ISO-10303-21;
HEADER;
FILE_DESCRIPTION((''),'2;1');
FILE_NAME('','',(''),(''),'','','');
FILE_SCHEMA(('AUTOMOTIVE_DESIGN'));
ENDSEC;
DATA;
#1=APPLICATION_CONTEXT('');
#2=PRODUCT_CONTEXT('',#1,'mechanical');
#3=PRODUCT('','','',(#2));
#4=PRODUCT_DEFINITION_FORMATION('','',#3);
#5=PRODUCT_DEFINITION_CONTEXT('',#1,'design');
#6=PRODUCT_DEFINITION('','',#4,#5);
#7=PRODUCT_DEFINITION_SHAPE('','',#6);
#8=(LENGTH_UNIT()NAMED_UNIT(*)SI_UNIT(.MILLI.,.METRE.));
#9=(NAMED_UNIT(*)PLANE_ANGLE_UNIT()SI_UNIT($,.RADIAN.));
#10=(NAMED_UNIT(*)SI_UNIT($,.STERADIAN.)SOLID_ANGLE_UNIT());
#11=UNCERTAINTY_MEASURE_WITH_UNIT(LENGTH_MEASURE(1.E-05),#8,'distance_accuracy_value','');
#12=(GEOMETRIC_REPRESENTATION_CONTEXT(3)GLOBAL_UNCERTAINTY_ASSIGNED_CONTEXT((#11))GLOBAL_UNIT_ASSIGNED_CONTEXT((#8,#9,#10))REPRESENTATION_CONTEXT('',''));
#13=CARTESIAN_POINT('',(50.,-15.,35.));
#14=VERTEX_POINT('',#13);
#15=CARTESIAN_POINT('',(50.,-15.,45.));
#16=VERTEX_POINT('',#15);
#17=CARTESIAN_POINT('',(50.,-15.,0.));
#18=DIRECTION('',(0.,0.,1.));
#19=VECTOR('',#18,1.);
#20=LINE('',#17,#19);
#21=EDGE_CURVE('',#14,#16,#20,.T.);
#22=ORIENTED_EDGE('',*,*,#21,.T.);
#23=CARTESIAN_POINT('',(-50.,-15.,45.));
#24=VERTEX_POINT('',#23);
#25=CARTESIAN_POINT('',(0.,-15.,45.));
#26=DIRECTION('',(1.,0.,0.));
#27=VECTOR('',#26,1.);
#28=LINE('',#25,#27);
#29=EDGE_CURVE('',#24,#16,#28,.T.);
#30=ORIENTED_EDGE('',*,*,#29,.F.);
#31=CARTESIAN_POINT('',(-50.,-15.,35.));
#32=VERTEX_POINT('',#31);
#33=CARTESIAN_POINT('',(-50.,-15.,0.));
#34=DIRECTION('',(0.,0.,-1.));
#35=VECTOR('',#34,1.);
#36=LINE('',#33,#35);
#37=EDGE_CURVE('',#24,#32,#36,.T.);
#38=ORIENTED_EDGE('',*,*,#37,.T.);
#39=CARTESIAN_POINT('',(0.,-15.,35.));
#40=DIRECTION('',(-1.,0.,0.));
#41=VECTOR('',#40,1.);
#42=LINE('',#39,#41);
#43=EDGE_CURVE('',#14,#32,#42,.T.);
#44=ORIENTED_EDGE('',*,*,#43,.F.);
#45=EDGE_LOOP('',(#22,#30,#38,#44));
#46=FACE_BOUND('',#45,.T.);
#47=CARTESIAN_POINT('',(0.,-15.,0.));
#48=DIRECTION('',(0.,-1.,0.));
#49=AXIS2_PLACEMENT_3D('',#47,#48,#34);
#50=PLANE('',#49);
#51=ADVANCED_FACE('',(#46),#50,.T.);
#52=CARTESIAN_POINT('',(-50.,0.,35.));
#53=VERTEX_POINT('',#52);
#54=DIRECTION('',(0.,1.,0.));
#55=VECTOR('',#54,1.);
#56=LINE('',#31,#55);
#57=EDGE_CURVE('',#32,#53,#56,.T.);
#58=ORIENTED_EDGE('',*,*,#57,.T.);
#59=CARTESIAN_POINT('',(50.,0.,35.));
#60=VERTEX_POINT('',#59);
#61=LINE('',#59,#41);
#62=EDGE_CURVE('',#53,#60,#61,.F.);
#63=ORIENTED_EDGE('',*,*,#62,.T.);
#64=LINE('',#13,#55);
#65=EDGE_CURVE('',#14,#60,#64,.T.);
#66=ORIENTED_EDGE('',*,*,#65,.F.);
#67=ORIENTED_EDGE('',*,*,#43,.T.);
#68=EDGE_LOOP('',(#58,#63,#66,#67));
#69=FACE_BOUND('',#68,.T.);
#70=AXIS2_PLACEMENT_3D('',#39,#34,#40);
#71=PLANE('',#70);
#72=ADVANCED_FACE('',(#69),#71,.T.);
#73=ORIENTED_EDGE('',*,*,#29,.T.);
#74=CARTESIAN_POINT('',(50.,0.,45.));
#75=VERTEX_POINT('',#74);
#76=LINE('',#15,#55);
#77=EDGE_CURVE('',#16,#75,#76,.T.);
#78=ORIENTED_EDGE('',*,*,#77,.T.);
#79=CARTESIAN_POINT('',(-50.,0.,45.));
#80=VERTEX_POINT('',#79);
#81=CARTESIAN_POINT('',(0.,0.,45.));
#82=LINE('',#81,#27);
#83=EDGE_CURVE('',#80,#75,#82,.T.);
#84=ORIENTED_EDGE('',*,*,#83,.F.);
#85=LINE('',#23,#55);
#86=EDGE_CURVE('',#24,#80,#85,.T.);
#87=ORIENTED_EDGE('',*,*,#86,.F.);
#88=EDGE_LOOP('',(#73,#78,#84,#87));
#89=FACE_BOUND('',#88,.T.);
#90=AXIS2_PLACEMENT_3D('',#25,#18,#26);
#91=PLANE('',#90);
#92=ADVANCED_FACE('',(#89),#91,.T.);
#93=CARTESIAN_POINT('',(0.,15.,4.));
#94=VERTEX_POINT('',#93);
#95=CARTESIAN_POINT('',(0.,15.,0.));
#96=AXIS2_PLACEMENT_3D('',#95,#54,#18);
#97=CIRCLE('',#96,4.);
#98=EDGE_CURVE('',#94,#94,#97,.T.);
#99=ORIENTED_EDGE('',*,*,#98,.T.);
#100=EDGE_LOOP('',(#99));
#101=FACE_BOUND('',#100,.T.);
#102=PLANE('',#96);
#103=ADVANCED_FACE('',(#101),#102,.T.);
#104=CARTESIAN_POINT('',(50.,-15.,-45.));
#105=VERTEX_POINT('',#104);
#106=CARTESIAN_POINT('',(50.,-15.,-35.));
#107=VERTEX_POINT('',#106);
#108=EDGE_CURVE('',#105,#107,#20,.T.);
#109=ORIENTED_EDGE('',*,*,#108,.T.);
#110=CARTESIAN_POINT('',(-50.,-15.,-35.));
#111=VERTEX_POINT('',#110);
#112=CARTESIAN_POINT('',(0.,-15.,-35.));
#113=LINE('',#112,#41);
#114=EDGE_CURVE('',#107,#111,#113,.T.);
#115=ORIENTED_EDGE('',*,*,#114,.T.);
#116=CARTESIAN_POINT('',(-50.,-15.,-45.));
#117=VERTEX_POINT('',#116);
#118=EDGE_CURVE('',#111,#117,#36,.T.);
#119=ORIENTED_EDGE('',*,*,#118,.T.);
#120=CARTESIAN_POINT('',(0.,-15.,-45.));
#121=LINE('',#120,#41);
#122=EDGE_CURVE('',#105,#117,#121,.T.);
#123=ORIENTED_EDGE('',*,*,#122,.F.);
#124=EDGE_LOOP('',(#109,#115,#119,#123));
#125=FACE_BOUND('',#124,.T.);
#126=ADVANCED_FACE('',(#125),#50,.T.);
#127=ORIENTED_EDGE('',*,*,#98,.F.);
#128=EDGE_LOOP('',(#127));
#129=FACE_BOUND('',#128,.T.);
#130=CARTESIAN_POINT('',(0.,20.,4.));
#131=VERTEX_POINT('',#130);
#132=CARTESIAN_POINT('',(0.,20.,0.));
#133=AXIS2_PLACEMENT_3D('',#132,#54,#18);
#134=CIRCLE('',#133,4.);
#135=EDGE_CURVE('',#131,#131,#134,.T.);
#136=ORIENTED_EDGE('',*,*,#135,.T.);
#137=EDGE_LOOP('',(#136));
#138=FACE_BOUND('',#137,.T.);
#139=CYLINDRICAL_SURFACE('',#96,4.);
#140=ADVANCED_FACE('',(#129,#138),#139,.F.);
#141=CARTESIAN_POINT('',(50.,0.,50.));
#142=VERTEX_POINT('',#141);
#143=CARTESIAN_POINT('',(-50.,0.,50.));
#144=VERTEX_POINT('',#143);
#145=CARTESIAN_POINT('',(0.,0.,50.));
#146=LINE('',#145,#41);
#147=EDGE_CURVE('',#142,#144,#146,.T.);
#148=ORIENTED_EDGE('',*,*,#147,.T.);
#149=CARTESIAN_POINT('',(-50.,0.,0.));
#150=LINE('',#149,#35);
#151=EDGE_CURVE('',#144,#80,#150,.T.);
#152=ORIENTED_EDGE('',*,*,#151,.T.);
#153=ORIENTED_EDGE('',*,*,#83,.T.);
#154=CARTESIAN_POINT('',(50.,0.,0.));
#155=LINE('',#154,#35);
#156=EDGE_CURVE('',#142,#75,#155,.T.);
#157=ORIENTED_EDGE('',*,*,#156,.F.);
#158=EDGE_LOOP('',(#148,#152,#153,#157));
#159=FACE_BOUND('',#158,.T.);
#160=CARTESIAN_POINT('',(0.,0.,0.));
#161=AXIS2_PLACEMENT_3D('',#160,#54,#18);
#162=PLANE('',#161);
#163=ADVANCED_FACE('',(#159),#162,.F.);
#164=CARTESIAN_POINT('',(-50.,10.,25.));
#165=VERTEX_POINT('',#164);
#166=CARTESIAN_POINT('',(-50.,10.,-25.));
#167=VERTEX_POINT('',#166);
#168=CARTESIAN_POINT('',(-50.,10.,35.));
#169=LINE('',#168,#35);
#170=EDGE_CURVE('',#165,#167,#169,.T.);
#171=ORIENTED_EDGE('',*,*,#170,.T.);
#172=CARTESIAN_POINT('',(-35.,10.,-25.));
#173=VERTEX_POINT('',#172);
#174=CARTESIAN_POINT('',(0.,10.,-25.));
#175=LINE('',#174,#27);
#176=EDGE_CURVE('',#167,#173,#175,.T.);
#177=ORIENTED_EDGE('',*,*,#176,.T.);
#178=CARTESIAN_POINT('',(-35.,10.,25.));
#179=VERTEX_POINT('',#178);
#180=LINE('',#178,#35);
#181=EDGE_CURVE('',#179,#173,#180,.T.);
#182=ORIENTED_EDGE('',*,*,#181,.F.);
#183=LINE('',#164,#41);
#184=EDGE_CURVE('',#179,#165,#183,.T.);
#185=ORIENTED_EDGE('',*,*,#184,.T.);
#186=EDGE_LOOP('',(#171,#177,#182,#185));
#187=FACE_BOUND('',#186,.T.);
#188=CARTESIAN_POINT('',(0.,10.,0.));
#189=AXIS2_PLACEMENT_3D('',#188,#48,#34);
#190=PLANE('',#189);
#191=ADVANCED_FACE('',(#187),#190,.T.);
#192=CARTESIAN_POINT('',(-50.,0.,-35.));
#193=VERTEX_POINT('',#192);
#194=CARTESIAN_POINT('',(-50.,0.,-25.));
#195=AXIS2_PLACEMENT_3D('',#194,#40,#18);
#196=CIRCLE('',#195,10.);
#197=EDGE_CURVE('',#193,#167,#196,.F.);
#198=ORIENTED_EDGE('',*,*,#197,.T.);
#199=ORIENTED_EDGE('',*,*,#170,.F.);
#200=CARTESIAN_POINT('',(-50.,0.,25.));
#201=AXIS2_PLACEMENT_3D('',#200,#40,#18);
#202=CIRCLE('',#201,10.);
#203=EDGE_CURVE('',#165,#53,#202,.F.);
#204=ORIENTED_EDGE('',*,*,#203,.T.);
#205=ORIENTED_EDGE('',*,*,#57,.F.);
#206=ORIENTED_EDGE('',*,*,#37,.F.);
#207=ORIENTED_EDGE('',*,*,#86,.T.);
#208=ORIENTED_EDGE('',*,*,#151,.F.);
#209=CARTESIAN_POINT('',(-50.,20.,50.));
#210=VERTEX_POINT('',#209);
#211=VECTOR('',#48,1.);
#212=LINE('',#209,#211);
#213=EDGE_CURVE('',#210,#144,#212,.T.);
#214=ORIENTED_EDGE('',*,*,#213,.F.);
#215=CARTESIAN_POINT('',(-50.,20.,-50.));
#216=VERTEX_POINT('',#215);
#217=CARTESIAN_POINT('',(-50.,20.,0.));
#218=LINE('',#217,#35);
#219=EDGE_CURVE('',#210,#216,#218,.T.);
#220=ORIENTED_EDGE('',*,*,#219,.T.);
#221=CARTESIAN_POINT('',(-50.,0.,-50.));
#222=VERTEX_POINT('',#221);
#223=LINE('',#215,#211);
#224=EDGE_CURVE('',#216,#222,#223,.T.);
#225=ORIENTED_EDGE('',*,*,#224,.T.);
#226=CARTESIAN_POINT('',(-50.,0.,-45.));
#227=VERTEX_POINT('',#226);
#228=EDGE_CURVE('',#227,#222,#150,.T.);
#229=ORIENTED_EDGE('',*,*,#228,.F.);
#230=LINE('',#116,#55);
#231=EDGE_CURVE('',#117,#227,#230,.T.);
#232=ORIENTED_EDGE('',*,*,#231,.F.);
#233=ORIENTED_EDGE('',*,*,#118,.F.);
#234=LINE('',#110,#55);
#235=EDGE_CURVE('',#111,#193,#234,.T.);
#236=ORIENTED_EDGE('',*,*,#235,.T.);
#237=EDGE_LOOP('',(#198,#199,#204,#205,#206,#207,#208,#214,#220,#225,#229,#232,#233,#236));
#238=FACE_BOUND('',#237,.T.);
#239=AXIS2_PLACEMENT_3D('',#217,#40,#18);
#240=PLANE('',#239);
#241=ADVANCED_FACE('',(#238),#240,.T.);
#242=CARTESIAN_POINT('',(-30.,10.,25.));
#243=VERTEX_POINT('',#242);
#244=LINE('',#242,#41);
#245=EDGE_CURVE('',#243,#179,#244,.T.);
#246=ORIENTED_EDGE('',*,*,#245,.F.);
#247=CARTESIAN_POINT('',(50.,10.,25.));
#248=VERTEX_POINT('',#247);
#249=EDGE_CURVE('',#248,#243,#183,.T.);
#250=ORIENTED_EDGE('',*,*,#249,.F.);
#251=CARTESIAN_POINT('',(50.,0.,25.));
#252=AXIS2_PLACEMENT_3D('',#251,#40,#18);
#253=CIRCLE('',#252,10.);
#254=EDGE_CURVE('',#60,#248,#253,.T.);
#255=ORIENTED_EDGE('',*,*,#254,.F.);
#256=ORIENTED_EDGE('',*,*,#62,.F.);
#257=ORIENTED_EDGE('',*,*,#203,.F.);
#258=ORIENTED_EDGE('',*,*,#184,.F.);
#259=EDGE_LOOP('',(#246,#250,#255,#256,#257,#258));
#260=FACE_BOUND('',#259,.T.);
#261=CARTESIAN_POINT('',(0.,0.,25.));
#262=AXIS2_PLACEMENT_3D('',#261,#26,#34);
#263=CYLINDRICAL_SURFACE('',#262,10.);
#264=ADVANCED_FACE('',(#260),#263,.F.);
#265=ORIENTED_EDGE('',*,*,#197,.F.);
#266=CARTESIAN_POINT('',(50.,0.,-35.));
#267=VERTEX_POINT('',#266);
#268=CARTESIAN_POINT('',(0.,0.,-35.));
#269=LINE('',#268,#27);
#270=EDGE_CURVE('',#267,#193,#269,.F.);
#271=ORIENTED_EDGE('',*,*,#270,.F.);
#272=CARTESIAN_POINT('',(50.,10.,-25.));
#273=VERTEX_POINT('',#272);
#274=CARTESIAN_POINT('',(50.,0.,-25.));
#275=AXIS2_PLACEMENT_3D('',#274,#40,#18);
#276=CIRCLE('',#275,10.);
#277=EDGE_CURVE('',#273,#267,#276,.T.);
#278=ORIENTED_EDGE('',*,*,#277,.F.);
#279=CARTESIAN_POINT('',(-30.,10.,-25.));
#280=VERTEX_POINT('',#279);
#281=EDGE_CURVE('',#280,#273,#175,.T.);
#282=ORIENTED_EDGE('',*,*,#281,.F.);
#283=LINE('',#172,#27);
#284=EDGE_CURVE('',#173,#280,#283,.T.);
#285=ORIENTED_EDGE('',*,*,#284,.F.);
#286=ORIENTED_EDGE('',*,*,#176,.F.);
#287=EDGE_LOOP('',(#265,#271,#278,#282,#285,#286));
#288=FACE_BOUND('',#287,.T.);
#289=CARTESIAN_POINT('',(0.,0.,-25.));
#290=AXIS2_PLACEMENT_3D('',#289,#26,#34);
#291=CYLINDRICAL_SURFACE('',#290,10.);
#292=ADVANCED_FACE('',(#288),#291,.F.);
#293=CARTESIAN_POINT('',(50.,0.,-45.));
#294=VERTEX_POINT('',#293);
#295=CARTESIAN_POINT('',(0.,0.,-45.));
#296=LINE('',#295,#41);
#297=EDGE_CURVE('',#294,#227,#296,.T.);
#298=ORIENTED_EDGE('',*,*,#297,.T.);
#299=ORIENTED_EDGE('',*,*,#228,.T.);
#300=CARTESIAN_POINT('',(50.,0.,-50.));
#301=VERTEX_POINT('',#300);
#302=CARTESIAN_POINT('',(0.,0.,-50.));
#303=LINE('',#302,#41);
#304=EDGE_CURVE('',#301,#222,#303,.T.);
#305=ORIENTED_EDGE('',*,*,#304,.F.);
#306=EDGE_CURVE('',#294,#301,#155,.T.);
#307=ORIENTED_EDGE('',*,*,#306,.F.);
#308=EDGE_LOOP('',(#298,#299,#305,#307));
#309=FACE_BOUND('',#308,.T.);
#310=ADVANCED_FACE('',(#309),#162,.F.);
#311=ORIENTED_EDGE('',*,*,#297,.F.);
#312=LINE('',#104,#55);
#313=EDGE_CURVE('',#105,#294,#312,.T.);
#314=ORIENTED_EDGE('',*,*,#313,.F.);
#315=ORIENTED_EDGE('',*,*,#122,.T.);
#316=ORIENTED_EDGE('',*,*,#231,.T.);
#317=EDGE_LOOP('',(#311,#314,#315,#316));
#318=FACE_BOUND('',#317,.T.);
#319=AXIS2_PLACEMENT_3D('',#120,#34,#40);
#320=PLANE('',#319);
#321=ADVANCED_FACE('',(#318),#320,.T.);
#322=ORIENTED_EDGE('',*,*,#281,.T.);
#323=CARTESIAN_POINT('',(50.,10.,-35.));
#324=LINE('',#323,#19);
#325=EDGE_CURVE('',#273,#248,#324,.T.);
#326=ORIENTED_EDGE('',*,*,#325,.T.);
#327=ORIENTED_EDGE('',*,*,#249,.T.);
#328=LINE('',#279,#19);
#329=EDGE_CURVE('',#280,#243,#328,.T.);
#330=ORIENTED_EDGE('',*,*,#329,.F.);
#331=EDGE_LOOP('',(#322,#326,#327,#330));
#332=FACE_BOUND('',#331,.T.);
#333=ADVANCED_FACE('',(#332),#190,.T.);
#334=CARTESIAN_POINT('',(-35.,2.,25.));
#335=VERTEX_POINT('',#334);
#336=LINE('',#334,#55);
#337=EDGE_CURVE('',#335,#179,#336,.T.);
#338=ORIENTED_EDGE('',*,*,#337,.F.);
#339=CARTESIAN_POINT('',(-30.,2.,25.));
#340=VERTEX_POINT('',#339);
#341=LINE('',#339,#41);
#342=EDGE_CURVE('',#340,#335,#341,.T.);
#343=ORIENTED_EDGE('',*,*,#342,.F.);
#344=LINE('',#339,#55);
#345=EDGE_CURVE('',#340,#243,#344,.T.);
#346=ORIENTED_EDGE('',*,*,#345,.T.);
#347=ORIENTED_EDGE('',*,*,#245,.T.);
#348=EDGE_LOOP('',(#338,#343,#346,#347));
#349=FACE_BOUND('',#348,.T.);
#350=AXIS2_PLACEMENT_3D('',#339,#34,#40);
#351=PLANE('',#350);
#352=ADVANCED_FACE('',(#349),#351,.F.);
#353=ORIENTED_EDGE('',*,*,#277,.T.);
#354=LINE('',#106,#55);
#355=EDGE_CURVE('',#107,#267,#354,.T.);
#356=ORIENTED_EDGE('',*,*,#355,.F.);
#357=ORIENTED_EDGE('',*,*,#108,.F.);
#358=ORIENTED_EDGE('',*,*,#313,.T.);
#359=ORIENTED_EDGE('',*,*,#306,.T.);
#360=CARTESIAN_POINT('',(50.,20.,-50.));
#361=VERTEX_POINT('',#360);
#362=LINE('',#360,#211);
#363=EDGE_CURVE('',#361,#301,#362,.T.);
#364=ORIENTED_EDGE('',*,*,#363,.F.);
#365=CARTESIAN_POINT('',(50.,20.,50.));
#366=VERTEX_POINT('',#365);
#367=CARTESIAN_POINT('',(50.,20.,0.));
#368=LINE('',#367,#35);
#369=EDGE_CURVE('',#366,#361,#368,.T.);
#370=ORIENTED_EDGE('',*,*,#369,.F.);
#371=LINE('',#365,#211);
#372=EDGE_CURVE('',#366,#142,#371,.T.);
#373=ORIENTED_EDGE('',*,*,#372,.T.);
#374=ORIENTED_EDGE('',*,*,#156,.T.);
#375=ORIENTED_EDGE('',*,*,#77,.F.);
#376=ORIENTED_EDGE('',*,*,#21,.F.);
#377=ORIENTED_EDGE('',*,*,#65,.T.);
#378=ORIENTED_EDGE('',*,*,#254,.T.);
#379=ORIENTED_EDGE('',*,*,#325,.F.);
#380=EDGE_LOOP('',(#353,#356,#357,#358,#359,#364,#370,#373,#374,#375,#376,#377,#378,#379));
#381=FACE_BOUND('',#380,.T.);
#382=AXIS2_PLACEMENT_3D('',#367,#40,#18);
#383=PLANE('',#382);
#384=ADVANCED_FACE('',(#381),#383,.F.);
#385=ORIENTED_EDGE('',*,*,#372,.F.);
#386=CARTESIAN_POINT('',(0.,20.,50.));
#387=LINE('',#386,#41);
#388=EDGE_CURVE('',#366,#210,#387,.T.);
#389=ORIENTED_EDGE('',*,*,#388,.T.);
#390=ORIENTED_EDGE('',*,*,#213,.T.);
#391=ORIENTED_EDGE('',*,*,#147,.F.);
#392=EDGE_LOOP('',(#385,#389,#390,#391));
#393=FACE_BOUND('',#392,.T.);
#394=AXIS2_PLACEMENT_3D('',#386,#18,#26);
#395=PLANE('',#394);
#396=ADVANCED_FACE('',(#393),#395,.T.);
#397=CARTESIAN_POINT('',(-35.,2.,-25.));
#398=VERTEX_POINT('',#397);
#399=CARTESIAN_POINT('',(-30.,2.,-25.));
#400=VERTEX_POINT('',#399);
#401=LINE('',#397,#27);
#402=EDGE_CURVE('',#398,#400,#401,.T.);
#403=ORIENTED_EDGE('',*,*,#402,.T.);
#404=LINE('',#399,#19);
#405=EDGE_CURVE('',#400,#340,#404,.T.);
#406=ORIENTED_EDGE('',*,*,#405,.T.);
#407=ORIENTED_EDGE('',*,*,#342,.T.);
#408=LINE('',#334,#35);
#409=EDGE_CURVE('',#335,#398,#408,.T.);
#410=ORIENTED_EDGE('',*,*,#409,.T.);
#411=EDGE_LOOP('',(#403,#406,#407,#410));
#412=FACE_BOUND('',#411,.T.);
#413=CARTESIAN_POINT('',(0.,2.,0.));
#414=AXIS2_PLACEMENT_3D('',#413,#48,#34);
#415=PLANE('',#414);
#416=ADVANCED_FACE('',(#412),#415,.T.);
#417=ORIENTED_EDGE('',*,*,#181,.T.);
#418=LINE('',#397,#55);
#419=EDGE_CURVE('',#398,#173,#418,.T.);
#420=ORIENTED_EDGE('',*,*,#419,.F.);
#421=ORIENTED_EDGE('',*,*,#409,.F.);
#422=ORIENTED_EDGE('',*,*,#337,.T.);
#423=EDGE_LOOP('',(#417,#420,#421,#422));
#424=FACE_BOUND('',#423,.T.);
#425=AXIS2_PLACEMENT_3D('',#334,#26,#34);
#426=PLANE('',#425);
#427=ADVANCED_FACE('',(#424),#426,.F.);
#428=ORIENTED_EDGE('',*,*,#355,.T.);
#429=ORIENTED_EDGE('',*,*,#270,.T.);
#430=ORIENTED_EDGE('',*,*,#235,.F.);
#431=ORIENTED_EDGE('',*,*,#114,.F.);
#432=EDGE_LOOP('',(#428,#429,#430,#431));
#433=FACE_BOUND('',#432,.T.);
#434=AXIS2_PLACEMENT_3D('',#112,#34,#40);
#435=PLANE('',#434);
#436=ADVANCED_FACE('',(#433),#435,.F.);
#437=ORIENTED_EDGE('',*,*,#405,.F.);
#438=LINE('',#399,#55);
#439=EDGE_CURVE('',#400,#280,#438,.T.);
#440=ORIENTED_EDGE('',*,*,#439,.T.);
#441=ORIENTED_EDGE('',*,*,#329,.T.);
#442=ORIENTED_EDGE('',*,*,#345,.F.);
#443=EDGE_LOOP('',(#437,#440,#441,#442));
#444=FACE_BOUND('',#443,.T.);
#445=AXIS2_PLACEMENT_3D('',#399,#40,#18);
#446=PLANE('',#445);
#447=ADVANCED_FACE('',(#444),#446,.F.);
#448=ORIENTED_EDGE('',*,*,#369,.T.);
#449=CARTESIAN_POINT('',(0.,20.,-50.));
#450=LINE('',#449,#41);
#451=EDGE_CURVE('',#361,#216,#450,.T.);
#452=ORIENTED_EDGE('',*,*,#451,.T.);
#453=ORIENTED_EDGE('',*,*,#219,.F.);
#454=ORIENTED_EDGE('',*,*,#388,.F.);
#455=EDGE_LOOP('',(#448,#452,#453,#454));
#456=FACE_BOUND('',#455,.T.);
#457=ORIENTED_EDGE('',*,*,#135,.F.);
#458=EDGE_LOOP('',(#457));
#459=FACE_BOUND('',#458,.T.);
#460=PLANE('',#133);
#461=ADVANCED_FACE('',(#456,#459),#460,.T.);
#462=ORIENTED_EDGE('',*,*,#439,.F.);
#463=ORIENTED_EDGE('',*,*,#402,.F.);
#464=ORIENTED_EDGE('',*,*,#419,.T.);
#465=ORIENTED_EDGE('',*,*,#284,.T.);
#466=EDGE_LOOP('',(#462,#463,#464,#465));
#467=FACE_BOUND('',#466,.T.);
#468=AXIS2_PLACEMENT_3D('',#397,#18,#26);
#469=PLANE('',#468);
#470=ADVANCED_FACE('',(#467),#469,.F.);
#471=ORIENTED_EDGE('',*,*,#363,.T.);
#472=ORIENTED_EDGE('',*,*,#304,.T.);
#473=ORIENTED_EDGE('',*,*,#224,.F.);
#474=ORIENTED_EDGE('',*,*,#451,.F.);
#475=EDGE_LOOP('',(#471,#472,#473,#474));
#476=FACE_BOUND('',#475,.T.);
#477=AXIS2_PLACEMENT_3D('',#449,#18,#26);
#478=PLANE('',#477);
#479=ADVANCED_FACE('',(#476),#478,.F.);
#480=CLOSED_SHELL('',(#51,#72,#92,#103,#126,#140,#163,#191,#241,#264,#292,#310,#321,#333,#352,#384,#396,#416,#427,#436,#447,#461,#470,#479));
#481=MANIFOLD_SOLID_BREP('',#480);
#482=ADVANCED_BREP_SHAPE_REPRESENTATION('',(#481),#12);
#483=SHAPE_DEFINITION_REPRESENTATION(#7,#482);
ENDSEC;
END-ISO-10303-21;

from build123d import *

# Parameters (mm, degrees)
SKETCH1_W           = 100
SKETCH1_H           = 100
BOSS_EXTRUDE1_DEPTH = 20
SKETCH3_R           = 4
CUT_EXTRUDE1_DEPTH  = 5
SKETCH4_W           = 100
SKETCH4_H           = 10
BOSS_EXTRUDE2_DEPTH = 15
SKETCH5_W           = 100
SKETCH5_H           = 70
CUT_EXTRUDE2_DEPTH  = 10
FILLET2_R           = 10
FILLET3_R           = 10
SKETCH6_W           = 5
SKETCH6_H           = 50
BOSS_EXTRUDE3_DEPTH = 8


with BuildPart() as part:
    # Sketch1 → Boss-Extrude1 (new body)
    with BuildSketch(Plane(origin=(0, 0, 0), x_dir=(1, 0, 0), z_dir=(0, 1, 0))):
        Rectangle(SKETCH1_W, SKETCH1_H)
    extrude(amount=BOSS_EXTRUDE1_DEPTH)

    # Sketch3 → Cut-Extrude1 (cut)
    with BuildSketch(Plane(origin=(0, 20, 0), x_dir=(1, 0, 0), z_dir=(0, 1, 0))):
        with Locations(Location((0, 0, 0), (0, 0, 270))):
            Circle(SKETCH3_R)
    extrude(amount=-CUT_EXTRUDE1_DEPTH, mode=Mode.SUBTRACT)

    # Sketch4 → Boss-Extrude2 (add)
    with BuildSketch(Plane.XZ):
        with Locations((0, -40)):
            Rectangle(SKETCH4_W, SKETCH4_H)
        with Locations((0, 40)):
            Rectangle(SKETCH4_W, SKETCH4_H)
    extrude(amount=BOSS_EXTRUDE2_DEPTH)

    # Sketch5 → Cut-Extrude2 (cut)
    with BuildSketch(Plane.XZ):
        Rectangle(SKETCH5_W, SKETCH5_H)
    extrude(amount=-CUT_EXTRUDE2_DEPTH, mode=Mode.SUBTRACT)

    # Fillet2
    fillet2_edges = [part.edges().sort_by_distance(p)[0] for p in [
        (0, 10, -35),
    ]]
    fillet(fillet2_edges, radius=FILLET2_R)

    # Fillet3
    fillet3_edges = [part.edges().sort_by_distance(p)[0] for p in [
        (0, 10, 35),
    ]]
    fillet(fillet3_edges, radius=FILLET3_R)

    # Sketch6 → Boss-Extrude3 (add)
    with BuildSketch(Plane.XZ.offset(-10)):
        with Locations((-32.5, 0)):
            Rectangle(SKETCH6_W, SKETCH6_H)
    extrude(amount=BOSS_EXTRUDE3_DEPTH)


solid = part.part
